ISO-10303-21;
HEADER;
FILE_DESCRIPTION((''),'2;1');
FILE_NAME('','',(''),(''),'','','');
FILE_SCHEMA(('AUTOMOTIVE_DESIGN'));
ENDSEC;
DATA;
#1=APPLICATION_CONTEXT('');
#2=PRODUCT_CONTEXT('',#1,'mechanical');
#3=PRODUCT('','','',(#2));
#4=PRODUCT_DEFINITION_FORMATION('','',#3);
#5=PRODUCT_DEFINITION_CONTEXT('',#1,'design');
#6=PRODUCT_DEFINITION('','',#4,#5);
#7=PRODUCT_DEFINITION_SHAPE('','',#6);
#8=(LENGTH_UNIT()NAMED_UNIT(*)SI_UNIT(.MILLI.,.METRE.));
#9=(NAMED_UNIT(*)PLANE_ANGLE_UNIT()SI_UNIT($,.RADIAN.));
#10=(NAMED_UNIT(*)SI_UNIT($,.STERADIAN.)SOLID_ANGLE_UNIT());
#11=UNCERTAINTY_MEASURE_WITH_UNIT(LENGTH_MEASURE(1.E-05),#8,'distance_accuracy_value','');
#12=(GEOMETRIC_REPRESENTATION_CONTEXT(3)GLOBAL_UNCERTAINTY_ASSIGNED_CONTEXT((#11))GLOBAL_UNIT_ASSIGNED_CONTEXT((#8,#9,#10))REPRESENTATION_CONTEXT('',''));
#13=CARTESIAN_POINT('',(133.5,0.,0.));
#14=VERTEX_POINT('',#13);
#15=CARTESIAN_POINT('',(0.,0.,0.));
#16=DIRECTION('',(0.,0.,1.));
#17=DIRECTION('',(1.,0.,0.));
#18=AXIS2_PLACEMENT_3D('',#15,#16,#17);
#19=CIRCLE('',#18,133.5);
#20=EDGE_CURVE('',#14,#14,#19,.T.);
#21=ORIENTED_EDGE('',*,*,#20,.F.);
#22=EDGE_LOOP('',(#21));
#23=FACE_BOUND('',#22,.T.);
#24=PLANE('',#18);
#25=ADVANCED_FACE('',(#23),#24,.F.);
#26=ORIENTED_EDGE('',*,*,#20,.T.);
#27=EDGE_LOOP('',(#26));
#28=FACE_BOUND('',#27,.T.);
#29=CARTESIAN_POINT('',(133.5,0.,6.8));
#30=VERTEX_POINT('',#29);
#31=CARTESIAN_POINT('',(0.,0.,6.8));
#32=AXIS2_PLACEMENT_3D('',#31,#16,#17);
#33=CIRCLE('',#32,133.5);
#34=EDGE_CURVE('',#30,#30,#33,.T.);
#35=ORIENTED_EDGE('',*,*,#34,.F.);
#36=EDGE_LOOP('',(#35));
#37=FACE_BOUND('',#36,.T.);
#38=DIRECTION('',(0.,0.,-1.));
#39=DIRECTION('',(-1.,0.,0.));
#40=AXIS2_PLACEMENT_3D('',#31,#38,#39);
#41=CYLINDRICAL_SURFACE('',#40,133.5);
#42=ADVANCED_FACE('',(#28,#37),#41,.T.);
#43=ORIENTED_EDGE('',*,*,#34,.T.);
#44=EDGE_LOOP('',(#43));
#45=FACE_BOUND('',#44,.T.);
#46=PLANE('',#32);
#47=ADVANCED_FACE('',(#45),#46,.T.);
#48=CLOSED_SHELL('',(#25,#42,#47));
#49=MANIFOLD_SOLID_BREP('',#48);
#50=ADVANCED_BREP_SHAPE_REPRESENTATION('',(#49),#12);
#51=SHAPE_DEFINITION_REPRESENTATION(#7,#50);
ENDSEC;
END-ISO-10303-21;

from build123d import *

# Parameters (mm, degrees)
SKETCH1_R           = 133.5
BOSS_EXTRUDE1_DEPTH = 6.8


with BuildPart() as part:
    # Sketch1 → Boss-Extrude1 (new body)
    with BuildSketch(Plane.XY):
        Circle(SKETCH1_R)
    extrude(amount=BOSS_EXTRUDE1_DEPTH)


solid = part.part
